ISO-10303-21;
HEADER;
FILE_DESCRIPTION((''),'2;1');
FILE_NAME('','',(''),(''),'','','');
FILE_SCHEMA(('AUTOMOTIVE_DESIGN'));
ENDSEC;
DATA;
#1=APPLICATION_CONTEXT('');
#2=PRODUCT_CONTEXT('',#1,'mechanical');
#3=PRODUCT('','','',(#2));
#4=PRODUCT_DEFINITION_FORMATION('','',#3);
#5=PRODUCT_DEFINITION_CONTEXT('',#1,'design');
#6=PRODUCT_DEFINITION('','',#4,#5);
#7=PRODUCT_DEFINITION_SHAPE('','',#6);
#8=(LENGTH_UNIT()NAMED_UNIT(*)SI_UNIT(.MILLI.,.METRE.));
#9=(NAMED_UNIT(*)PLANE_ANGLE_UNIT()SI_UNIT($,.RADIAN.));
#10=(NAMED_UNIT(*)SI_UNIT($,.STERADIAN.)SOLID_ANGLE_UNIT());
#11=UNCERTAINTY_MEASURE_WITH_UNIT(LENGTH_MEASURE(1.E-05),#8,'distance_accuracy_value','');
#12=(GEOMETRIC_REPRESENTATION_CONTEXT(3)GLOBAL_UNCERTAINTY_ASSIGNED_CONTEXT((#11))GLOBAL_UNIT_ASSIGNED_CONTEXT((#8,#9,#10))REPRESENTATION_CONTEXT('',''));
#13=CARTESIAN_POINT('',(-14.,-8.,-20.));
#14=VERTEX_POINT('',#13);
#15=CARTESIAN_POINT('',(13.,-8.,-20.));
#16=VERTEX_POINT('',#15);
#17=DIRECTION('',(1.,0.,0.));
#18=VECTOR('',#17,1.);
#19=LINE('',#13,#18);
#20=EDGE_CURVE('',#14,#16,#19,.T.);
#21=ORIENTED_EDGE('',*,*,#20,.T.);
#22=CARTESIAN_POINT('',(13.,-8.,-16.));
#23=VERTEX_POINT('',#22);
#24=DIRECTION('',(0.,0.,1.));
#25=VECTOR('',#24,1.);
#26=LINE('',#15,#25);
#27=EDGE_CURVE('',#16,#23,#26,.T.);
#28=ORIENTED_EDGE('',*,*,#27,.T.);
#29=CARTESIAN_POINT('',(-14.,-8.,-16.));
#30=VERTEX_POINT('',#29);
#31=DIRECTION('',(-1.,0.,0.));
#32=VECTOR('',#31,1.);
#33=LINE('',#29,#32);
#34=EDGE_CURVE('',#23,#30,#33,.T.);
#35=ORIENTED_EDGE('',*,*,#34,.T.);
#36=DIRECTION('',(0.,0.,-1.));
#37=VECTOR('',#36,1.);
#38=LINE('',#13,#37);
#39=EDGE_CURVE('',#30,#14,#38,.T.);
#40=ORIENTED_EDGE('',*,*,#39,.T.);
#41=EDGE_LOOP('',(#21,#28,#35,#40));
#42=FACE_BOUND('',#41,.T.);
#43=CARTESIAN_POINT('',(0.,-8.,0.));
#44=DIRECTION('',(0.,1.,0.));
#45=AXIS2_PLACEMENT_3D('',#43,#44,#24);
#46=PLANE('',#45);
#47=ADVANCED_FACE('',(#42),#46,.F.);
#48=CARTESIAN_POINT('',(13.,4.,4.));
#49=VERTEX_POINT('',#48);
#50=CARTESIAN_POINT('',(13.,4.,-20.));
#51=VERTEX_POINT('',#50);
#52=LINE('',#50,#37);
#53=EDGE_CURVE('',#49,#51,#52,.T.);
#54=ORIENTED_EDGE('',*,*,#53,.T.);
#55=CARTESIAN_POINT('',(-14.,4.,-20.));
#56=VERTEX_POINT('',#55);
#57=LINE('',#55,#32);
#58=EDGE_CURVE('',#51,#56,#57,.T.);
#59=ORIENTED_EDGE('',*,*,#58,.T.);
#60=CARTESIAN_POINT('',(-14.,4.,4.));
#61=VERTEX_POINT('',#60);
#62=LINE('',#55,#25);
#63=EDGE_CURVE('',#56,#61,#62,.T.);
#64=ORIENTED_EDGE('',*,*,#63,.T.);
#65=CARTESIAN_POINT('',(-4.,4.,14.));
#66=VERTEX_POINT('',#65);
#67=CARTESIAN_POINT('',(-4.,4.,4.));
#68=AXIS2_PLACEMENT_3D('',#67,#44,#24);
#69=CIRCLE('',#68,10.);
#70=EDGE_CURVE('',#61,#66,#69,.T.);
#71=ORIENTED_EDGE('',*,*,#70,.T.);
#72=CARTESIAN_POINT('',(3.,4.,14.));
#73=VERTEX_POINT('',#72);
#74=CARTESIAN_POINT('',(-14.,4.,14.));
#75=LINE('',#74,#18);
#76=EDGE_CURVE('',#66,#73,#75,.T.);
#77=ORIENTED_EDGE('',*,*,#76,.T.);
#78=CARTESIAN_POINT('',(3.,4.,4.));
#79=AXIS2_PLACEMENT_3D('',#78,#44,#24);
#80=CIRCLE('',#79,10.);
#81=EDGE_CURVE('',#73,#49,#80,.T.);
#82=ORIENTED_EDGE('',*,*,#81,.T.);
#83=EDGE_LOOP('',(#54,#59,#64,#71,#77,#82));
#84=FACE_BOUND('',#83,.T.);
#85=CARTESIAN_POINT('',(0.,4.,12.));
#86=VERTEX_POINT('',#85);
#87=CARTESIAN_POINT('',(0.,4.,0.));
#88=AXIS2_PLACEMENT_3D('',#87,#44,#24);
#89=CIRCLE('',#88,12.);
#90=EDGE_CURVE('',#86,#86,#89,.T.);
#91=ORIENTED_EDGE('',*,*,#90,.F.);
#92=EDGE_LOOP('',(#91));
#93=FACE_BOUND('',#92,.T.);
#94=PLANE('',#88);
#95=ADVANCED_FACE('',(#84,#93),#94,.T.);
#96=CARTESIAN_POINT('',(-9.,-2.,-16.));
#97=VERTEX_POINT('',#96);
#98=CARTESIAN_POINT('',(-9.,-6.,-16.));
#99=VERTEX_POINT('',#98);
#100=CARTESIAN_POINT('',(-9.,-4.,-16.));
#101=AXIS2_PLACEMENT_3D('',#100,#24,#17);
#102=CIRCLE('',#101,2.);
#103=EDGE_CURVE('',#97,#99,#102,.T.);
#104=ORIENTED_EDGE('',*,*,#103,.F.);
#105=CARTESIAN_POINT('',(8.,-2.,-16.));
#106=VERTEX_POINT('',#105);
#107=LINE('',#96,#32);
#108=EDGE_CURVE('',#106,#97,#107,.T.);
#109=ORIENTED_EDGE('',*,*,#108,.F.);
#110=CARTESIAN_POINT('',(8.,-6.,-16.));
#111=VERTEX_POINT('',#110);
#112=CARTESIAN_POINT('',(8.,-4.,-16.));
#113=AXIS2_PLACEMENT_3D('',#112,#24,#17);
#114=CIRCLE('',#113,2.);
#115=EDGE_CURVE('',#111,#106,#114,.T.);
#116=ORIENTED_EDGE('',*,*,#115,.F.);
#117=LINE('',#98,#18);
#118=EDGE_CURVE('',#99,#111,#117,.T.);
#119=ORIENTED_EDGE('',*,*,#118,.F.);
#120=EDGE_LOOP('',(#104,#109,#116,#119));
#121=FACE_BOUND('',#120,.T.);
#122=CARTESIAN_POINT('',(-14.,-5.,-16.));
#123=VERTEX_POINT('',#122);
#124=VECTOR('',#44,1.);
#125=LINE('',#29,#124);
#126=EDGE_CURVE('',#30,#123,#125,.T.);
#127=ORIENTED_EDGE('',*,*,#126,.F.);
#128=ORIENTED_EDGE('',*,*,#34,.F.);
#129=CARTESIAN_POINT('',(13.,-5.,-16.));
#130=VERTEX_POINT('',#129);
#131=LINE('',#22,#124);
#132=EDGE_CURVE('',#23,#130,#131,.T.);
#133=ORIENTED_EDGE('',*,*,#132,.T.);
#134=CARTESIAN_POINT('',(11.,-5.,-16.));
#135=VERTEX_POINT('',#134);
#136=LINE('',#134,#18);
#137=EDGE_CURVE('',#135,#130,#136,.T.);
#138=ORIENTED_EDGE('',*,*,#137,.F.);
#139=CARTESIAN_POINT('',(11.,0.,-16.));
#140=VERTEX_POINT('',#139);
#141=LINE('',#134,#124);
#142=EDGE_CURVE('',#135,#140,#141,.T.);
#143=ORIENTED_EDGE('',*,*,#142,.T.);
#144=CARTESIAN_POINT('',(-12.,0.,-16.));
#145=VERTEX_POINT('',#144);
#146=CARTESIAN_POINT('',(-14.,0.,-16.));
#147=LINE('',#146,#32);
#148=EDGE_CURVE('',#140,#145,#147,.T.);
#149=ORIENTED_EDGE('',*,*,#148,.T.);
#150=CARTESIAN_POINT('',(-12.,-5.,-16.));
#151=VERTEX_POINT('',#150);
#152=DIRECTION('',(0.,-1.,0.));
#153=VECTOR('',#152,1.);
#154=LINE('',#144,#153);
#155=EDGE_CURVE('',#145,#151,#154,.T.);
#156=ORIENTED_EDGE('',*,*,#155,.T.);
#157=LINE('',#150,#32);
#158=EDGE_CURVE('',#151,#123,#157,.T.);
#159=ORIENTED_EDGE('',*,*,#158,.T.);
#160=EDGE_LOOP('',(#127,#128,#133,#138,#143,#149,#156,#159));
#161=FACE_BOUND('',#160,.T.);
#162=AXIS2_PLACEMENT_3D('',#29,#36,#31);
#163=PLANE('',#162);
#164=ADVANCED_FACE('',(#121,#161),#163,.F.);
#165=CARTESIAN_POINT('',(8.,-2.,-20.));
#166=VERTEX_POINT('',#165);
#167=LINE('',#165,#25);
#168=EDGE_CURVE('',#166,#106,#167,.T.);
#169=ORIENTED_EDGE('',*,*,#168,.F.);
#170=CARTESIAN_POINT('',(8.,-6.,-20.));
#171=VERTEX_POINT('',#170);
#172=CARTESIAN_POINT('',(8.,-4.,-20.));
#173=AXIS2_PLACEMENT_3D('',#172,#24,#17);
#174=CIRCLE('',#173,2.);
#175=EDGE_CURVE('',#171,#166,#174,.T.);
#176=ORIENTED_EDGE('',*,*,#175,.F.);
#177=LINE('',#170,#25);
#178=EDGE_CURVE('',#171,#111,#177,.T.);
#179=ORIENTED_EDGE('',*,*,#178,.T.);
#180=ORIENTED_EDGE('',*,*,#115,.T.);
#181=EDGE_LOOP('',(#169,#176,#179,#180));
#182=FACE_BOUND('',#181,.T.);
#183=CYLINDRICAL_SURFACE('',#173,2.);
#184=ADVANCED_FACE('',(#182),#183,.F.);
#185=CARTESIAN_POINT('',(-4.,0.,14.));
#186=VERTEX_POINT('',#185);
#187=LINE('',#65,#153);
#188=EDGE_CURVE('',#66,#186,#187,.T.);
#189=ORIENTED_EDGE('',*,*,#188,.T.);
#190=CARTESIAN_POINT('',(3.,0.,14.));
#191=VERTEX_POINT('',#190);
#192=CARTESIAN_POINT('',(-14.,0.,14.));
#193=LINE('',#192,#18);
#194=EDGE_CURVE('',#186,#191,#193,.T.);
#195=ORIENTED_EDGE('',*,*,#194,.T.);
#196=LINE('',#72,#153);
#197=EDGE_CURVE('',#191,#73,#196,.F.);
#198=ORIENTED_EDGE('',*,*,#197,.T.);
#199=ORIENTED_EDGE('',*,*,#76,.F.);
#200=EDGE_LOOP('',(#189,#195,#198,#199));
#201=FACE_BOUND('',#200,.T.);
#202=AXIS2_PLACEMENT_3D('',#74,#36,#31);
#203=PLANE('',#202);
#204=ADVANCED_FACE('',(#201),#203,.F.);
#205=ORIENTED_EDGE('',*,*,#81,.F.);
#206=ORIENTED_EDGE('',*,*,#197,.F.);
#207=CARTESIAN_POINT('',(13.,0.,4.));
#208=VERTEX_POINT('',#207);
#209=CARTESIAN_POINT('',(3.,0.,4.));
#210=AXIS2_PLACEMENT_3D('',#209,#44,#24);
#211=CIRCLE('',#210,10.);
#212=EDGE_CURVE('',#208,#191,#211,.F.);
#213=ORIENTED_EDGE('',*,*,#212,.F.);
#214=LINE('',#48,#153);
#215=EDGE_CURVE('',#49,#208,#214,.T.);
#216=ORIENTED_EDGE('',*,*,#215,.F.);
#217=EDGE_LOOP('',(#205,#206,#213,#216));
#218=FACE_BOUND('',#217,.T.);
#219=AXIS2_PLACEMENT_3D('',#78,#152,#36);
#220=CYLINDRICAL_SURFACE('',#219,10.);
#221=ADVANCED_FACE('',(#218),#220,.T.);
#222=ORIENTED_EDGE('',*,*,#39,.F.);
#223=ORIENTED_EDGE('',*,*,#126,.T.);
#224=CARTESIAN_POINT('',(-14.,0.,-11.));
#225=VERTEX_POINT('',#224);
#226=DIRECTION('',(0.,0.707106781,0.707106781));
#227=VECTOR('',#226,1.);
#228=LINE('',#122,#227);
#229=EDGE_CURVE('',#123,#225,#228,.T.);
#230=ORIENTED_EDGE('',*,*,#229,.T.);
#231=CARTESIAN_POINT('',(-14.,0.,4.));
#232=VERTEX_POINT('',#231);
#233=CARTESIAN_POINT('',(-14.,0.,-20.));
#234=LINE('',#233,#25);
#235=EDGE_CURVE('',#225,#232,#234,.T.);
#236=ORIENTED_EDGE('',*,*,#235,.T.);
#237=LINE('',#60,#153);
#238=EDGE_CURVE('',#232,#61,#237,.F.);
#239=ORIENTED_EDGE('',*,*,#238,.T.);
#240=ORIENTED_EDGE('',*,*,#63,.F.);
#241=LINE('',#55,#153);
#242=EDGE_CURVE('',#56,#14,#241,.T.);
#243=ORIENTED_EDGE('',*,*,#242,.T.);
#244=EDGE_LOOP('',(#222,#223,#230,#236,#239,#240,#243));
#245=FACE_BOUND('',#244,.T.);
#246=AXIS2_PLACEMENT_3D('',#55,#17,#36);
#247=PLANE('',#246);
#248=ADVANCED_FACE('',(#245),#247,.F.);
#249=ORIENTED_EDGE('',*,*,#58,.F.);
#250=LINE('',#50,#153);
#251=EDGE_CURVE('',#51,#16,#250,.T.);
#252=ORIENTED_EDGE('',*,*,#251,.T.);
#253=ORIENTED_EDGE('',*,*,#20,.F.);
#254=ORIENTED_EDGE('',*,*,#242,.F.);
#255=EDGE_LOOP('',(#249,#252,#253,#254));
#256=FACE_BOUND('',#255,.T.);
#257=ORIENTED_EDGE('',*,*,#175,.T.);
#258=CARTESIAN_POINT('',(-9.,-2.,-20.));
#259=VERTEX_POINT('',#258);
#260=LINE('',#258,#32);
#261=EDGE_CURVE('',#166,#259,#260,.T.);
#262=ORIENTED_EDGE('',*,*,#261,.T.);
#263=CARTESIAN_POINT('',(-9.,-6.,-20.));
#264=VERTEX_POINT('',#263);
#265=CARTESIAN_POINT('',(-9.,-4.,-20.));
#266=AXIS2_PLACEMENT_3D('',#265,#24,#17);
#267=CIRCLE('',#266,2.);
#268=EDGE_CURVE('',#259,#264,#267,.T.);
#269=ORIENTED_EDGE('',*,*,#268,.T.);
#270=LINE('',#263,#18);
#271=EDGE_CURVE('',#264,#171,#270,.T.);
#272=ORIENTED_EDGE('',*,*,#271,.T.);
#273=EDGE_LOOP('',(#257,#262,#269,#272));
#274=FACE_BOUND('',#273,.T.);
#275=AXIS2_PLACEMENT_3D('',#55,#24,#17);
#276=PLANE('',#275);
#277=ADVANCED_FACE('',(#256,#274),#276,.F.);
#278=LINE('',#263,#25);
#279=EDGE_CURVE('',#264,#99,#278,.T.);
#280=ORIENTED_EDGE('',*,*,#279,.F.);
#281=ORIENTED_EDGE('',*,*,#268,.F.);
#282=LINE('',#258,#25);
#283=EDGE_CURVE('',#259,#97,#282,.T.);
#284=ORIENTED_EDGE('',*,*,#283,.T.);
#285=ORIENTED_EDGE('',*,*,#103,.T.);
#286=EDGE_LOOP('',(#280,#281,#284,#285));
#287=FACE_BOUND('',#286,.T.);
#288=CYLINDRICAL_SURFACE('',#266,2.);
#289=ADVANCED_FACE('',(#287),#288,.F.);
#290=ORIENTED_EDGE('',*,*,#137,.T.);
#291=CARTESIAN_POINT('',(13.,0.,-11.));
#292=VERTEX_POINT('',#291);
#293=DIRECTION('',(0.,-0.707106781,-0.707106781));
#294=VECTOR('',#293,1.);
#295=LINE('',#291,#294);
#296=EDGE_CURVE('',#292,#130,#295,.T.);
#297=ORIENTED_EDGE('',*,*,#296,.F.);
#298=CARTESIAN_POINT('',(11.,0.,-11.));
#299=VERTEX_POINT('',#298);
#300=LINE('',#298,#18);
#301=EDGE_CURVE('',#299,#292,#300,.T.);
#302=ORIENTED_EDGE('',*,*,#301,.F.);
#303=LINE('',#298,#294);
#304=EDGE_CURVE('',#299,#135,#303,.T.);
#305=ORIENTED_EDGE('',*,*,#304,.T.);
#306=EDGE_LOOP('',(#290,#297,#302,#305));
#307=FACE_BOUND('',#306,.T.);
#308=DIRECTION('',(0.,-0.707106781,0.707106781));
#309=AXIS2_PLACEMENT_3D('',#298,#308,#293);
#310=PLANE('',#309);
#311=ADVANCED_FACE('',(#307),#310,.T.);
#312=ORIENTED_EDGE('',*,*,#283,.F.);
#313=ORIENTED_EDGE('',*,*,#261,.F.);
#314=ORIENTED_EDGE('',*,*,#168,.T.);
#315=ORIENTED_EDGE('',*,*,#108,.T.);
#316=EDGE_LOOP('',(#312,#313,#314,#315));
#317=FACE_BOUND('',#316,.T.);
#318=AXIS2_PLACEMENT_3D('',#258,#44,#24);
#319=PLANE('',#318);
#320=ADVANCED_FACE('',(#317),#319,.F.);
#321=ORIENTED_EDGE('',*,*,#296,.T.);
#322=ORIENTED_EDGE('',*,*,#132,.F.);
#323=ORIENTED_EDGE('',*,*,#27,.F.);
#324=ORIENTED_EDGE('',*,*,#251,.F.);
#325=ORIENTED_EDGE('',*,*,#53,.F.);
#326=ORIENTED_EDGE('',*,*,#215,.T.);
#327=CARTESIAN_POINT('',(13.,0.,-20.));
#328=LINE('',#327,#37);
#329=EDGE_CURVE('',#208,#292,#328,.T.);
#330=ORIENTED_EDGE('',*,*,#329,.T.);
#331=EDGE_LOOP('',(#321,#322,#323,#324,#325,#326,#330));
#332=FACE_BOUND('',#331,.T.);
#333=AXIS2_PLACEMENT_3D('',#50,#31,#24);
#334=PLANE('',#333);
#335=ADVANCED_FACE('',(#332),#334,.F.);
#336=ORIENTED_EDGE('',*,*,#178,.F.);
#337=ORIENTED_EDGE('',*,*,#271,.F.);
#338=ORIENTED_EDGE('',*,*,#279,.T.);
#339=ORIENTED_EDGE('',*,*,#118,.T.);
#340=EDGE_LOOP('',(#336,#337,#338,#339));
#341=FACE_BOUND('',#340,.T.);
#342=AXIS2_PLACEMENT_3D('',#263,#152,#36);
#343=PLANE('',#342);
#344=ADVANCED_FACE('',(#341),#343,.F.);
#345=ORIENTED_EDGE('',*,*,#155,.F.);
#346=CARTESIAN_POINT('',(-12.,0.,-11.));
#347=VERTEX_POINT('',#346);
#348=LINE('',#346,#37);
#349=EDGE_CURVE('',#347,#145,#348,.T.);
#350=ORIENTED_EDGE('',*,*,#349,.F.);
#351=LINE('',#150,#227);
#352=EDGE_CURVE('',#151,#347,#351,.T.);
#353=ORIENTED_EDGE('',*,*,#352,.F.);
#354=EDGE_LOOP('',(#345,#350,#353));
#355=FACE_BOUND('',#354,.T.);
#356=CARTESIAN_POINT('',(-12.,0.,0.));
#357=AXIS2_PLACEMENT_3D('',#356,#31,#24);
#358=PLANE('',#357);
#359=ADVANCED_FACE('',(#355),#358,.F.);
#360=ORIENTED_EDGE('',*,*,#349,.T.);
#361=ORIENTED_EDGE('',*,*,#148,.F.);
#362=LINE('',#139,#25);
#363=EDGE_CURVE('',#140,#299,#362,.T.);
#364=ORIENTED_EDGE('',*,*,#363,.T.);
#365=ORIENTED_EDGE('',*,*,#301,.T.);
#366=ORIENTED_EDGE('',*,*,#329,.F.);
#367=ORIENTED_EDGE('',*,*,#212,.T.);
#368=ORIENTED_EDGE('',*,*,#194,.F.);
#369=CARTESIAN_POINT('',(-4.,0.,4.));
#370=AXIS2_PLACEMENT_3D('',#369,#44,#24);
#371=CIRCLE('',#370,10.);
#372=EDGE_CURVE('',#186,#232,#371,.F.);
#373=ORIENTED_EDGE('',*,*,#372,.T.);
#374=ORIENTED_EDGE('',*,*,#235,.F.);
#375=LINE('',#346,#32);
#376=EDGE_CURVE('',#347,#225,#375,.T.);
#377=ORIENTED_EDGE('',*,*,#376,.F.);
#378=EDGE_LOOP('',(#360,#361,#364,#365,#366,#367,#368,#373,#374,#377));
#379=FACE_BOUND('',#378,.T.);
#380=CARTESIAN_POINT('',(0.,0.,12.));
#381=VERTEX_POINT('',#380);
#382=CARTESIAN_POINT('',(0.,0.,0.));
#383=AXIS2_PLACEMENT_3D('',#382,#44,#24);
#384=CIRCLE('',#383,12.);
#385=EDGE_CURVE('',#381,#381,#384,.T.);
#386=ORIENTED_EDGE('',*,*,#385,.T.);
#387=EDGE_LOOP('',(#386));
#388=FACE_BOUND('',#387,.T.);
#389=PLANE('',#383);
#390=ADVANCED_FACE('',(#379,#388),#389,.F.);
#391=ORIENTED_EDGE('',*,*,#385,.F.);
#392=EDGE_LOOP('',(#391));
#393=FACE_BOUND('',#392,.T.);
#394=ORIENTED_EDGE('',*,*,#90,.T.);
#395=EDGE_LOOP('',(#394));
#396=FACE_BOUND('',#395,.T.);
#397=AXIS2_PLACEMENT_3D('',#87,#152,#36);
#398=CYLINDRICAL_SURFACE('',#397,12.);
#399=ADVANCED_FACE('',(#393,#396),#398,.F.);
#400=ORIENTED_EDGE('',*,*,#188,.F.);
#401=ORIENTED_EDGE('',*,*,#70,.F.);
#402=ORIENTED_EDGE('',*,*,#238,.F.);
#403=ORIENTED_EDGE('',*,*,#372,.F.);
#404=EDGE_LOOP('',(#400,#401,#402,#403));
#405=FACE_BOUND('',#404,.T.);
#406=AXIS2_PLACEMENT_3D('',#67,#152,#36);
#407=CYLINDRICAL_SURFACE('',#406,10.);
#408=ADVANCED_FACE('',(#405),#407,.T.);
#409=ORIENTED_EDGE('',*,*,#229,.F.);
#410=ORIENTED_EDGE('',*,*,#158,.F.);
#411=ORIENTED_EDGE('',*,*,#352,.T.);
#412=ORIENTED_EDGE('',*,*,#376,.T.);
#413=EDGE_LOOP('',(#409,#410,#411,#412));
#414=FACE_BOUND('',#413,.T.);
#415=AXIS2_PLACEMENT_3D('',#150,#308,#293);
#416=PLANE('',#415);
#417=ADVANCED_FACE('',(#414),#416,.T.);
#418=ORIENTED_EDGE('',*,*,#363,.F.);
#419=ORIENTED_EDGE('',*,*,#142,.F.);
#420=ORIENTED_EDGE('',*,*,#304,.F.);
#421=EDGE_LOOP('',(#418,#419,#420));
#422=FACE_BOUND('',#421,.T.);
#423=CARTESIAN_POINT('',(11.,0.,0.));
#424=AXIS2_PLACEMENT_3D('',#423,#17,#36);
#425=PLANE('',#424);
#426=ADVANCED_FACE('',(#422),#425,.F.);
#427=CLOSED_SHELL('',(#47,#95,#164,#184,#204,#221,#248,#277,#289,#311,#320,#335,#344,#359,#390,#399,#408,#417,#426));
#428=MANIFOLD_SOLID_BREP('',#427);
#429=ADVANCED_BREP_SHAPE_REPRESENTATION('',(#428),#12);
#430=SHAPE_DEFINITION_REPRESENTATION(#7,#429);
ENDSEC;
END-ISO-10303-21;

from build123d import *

# Parameters (mm, degrees)
ESQUISSE1_W             = 27
ESQUISSE1_H             = 34
ESQUISSE1_R             = 12
BOSS_EXTRU_1_DEPTH      = 4
ESQUISSE2_W             = 27
ESQUISSE2_H             = 4
BOSS_EXTRU_2_DEPTH      = 8
BOSS_EXTRU_3_DEPTH      = 2
BOSS_EXTRU_4_DEPTH      = 2
CONG_1_R                = 10
ENL_V_MAT_EXTRU_1_DEPTH = 35.058772732


with BuildPart() as part:
    # Esquisse1 → Boss.-Extru.1 (new body)
    with BuildSketch(Plane(origin=(0, 0, 0), x_dir=(1, 0, 0), z_dir=(0, 1, 0))):
        with Locations((-0.5, 3)):
            Rectangle(ESQUISSE1_W, ESQUISSE1_H)
        with Locations(Location((0, 0, 0), (0, 0, 270))):
            Circle(ESQUISSE1_R, mode=Mode.SUBTRACT)
    extrude(amount=BOSS_EXTRU_1_DEPTH)

    # Esquisse2 → Boss.-Extru.2 (add)
    with BuildSketch(Plane.XZ):
        with Locations((-0.5, -18)):
            Rectangle(ESQUISSE2_W, ESQUISSE2_H)
    extrude(amount=BOSS_EXTRU_2_DEPTH)

    # Esquisse5 → Boss.-Extru.3 (add)
    with BuildSketch(Plane.ZY.offset(14)):
        Polygon((-16, 0), (-16, -5), (-11, 0), align=None)
    extrude(amount=-BOSS_EXTRU_3_DEPTH)

    # Esquisse6 → Boss.-Extru.4 (add)
    with BuildSketch(Plane(origin=(13, 0, 0), x_dir=(0, 0, -1), z_dir=(1, 0, 0))):
        Polygon((16, 0), (11, 0), (16, -5), align=None)
    extrude(amount=-BOSS_EXTRU_4_DEPTH)

    # Congé1
    cong_1_edges = [part.edges().sort_by_distance(p)[0] for p in [
        (-14, 2, 14),
        (13, 2, 14),
    ]]
    fillet(cong_1_edges, radius=CONG_1_R)

    # Esquisse7 → Enlèv. mat.-Extru.1 (cut, through all)
    with BuildSketch(Plane.XY.offset(-16)):
        with BuildLine():
            Line((-9, -2), (8, -2))
            ThreePointArc((8, -2), (10, -4), (8, -6))
            Line((8, -6), (-9, -6))
            ThreePointArc((-9, -6), (-11, -4), (-9, -2))
        make_face()
    extrude(amount=-ENL_V_MAT_EXTRU_1_DEPTH, mode=Mode.SUBTRACT)


solid = part.part
